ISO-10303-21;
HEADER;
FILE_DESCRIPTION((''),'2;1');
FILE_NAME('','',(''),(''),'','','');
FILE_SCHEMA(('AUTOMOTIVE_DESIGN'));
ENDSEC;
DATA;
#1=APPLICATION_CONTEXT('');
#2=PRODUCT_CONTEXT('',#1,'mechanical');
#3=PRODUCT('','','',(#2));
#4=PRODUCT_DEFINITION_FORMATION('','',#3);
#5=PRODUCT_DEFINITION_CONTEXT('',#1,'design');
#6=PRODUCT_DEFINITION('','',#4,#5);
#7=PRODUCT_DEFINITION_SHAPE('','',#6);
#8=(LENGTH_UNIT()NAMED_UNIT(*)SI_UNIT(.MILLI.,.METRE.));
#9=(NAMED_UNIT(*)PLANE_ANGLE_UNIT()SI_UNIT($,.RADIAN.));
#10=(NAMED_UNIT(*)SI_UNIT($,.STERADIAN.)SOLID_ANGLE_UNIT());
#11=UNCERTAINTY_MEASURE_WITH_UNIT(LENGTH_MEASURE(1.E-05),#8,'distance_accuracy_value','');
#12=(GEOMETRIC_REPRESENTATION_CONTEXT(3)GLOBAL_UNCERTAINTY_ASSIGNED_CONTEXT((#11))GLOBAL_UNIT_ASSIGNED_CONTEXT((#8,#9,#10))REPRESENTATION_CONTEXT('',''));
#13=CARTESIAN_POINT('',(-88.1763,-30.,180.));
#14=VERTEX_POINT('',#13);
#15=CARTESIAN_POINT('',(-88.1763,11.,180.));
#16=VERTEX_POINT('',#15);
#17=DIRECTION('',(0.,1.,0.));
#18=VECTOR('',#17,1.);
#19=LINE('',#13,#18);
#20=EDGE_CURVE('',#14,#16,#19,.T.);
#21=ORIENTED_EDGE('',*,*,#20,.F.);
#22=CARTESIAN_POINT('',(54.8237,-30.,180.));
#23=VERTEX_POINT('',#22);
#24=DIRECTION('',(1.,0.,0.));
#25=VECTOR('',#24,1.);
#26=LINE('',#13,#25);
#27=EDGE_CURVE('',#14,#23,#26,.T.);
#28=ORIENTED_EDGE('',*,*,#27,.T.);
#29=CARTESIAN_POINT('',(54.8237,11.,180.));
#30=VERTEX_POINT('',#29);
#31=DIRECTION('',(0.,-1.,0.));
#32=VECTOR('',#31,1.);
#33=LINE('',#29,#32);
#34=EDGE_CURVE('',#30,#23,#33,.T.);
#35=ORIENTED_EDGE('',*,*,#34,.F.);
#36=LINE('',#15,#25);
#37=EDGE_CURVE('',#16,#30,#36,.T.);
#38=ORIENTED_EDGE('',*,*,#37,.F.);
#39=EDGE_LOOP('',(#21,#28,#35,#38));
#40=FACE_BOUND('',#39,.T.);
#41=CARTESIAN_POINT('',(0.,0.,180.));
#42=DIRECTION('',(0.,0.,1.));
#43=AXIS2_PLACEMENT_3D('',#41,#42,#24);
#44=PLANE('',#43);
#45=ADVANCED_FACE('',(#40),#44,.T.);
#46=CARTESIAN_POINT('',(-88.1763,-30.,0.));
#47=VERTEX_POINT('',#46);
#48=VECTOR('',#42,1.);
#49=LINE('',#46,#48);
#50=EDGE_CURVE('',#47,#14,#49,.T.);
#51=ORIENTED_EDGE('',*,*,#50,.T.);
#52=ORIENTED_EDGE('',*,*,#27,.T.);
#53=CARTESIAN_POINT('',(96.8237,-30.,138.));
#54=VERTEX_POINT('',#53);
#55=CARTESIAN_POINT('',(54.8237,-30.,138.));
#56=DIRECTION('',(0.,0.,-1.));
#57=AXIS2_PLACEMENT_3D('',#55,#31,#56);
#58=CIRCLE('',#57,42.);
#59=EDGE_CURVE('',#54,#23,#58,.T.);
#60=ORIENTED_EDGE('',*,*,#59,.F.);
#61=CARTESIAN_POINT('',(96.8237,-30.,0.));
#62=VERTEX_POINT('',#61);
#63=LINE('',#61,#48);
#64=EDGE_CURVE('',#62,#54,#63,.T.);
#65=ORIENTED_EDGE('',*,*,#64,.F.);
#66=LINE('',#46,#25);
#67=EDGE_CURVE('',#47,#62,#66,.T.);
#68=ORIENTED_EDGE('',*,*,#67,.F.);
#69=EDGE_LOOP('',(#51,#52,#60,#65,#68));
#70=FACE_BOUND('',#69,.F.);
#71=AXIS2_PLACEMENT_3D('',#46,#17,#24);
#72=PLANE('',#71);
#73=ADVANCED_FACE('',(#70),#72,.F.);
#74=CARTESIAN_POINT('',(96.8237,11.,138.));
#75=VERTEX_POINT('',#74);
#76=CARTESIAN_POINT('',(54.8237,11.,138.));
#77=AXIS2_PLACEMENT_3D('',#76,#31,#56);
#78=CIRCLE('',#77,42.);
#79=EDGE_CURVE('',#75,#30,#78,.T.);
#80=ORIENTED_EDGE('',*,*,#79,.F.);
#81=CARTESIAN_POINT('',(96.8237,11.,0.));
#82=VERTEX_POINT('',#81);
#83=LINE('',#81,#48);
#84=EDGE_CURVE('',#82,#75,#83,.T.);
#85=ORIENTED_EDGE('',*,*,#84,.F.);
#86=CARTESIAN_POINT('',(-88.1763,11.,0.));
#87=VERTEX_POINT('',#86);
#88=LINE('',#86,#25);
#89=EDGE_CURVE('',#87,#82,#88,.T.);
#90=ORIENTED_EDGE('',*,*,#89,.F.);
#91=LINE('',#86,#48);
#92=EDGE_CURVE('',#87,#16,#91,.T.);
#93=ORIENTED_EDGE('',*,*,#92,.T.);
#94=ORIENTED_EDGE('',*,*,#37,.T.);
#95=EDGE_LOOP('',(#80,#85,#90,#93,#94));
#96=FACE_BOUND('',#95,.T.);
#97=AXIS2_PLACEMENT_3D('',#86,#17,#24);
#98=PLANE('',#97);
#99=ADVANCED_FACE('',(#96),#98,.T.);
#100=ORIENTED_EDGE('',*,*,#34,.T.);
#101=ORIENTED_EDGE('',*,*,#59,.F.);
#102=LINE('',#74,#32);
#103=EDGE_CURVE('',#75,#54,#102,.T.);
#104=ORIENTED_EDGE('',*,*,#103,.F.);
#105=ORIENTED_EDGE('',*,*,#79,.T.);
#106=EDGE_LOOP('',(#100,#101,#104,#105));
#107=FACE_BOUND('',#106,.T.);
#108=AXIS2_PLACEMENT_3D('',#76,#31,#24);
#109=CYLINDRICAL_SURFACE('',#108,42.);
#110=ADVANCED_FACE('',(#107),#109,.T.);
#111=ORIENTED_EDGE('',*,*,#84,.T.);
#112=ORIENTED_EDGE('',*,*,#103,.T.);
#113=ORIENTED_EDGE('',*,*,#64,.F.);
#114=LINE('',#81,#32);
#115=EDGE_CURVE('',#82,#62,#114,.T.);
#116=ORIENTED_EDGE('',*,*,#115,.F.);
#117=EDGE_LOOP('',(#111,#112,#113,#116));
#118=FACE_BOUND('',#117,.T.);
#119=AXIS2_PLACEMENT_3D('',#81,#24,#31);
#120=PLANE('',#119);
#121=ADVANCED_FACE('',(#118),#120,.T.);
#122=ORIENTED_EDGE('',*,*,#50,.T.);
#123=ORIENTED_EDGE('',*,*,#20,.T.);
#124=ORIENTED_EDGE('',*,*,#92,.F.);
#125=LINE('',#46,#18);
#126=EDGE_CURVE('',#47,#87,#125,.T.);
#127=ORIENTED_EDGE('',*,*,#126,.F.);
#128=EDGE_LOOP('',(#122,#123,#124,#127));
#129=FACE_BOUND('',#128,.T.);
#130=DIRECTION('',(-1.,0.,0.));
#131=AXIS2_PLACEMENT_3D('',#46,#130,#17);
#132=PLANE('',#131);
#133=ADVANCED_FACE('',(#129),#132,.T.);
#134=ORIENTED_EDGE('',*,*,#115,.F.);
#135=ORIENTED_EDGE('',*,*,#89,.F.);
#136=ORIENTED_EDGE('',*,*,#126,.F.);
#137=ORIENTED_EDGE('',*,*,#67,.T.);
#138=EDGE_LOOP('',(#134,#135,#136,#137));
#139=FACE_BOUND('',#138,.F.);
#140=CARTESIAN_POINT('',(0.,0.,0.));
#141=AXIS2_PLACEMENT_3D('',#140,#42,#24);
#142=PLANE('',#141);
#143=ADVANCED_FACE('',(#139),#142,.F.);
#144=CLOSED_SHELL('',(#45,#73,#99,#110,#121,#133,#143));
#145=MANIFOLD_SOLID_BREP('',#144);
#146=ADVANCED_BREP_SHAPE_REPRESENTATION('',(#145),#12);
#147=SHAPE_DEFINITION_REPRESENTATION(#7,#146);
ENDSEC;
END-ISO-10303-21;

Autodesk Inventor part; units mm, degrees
ref_plane "YZ Plane" through (0, 0, 0) normal (1, 0, 0) x (0, 1, 0)
ref_plane "XZ Plane" through (0, 0, 0) normal (0, 1, 0) x (-1, 0, 0)
ref_plane "XY Plane" through (0, 0, 0) normal (0, 0, 1) x (1, 0, 0)
sketch "Эскиз1" plane through (0, 0, 0) normal (0, 0, 1) x (1, 0, 0)
  line L0 (-88.1763, -30) -> (96.8237, -30)
  line L1 (-88.1763, -30) -> (-88.1763, 11)
  line L2 (96.8237, 11) -> (96.8237, -30)
  line L3 (-88.1763, 11) -> (96.8237, 11)
  point P0 (0, 0)
  point P1 (0, -30)
  dimension "parametr_A" = 185
  dimension "parametr_C" = 41
extrude "Выдавливание2" add sketch "Эскиз1" along normal blind 180
fillet "Сопряжение1" radius 42 1 edges at (96.8237, -9.5, 180)
sketch "Эскиз2" plane through (-88.1763, -30, 0) normal (0, -1, 0) x (1, 0, 0)
  point P0 (114.3354, 27.5417)
sketch "Эскиз3" plane through (-88.1763, -30, 0) normal (0, -1, 0) x (1, 0, 0)
  point P0 (14.3354, 15.8973)
equation "\"parametr_A\" = parametr_A_"
equation "\"parametr_C\" = parametr_D_"
equation "\"paramert_B\" = parametr_B_"
equation "\"d21\" = parametr_G_"
equation "\"parametr_A_\" = 185"
equation "\"parametr_B_\" = 180"
equation "\"parametr_D_\" = 41"
equation "\"parametr_E_\" = 35"
equation "\"parametr_G_\" = 42"
properties part number "lw_6_part1"
